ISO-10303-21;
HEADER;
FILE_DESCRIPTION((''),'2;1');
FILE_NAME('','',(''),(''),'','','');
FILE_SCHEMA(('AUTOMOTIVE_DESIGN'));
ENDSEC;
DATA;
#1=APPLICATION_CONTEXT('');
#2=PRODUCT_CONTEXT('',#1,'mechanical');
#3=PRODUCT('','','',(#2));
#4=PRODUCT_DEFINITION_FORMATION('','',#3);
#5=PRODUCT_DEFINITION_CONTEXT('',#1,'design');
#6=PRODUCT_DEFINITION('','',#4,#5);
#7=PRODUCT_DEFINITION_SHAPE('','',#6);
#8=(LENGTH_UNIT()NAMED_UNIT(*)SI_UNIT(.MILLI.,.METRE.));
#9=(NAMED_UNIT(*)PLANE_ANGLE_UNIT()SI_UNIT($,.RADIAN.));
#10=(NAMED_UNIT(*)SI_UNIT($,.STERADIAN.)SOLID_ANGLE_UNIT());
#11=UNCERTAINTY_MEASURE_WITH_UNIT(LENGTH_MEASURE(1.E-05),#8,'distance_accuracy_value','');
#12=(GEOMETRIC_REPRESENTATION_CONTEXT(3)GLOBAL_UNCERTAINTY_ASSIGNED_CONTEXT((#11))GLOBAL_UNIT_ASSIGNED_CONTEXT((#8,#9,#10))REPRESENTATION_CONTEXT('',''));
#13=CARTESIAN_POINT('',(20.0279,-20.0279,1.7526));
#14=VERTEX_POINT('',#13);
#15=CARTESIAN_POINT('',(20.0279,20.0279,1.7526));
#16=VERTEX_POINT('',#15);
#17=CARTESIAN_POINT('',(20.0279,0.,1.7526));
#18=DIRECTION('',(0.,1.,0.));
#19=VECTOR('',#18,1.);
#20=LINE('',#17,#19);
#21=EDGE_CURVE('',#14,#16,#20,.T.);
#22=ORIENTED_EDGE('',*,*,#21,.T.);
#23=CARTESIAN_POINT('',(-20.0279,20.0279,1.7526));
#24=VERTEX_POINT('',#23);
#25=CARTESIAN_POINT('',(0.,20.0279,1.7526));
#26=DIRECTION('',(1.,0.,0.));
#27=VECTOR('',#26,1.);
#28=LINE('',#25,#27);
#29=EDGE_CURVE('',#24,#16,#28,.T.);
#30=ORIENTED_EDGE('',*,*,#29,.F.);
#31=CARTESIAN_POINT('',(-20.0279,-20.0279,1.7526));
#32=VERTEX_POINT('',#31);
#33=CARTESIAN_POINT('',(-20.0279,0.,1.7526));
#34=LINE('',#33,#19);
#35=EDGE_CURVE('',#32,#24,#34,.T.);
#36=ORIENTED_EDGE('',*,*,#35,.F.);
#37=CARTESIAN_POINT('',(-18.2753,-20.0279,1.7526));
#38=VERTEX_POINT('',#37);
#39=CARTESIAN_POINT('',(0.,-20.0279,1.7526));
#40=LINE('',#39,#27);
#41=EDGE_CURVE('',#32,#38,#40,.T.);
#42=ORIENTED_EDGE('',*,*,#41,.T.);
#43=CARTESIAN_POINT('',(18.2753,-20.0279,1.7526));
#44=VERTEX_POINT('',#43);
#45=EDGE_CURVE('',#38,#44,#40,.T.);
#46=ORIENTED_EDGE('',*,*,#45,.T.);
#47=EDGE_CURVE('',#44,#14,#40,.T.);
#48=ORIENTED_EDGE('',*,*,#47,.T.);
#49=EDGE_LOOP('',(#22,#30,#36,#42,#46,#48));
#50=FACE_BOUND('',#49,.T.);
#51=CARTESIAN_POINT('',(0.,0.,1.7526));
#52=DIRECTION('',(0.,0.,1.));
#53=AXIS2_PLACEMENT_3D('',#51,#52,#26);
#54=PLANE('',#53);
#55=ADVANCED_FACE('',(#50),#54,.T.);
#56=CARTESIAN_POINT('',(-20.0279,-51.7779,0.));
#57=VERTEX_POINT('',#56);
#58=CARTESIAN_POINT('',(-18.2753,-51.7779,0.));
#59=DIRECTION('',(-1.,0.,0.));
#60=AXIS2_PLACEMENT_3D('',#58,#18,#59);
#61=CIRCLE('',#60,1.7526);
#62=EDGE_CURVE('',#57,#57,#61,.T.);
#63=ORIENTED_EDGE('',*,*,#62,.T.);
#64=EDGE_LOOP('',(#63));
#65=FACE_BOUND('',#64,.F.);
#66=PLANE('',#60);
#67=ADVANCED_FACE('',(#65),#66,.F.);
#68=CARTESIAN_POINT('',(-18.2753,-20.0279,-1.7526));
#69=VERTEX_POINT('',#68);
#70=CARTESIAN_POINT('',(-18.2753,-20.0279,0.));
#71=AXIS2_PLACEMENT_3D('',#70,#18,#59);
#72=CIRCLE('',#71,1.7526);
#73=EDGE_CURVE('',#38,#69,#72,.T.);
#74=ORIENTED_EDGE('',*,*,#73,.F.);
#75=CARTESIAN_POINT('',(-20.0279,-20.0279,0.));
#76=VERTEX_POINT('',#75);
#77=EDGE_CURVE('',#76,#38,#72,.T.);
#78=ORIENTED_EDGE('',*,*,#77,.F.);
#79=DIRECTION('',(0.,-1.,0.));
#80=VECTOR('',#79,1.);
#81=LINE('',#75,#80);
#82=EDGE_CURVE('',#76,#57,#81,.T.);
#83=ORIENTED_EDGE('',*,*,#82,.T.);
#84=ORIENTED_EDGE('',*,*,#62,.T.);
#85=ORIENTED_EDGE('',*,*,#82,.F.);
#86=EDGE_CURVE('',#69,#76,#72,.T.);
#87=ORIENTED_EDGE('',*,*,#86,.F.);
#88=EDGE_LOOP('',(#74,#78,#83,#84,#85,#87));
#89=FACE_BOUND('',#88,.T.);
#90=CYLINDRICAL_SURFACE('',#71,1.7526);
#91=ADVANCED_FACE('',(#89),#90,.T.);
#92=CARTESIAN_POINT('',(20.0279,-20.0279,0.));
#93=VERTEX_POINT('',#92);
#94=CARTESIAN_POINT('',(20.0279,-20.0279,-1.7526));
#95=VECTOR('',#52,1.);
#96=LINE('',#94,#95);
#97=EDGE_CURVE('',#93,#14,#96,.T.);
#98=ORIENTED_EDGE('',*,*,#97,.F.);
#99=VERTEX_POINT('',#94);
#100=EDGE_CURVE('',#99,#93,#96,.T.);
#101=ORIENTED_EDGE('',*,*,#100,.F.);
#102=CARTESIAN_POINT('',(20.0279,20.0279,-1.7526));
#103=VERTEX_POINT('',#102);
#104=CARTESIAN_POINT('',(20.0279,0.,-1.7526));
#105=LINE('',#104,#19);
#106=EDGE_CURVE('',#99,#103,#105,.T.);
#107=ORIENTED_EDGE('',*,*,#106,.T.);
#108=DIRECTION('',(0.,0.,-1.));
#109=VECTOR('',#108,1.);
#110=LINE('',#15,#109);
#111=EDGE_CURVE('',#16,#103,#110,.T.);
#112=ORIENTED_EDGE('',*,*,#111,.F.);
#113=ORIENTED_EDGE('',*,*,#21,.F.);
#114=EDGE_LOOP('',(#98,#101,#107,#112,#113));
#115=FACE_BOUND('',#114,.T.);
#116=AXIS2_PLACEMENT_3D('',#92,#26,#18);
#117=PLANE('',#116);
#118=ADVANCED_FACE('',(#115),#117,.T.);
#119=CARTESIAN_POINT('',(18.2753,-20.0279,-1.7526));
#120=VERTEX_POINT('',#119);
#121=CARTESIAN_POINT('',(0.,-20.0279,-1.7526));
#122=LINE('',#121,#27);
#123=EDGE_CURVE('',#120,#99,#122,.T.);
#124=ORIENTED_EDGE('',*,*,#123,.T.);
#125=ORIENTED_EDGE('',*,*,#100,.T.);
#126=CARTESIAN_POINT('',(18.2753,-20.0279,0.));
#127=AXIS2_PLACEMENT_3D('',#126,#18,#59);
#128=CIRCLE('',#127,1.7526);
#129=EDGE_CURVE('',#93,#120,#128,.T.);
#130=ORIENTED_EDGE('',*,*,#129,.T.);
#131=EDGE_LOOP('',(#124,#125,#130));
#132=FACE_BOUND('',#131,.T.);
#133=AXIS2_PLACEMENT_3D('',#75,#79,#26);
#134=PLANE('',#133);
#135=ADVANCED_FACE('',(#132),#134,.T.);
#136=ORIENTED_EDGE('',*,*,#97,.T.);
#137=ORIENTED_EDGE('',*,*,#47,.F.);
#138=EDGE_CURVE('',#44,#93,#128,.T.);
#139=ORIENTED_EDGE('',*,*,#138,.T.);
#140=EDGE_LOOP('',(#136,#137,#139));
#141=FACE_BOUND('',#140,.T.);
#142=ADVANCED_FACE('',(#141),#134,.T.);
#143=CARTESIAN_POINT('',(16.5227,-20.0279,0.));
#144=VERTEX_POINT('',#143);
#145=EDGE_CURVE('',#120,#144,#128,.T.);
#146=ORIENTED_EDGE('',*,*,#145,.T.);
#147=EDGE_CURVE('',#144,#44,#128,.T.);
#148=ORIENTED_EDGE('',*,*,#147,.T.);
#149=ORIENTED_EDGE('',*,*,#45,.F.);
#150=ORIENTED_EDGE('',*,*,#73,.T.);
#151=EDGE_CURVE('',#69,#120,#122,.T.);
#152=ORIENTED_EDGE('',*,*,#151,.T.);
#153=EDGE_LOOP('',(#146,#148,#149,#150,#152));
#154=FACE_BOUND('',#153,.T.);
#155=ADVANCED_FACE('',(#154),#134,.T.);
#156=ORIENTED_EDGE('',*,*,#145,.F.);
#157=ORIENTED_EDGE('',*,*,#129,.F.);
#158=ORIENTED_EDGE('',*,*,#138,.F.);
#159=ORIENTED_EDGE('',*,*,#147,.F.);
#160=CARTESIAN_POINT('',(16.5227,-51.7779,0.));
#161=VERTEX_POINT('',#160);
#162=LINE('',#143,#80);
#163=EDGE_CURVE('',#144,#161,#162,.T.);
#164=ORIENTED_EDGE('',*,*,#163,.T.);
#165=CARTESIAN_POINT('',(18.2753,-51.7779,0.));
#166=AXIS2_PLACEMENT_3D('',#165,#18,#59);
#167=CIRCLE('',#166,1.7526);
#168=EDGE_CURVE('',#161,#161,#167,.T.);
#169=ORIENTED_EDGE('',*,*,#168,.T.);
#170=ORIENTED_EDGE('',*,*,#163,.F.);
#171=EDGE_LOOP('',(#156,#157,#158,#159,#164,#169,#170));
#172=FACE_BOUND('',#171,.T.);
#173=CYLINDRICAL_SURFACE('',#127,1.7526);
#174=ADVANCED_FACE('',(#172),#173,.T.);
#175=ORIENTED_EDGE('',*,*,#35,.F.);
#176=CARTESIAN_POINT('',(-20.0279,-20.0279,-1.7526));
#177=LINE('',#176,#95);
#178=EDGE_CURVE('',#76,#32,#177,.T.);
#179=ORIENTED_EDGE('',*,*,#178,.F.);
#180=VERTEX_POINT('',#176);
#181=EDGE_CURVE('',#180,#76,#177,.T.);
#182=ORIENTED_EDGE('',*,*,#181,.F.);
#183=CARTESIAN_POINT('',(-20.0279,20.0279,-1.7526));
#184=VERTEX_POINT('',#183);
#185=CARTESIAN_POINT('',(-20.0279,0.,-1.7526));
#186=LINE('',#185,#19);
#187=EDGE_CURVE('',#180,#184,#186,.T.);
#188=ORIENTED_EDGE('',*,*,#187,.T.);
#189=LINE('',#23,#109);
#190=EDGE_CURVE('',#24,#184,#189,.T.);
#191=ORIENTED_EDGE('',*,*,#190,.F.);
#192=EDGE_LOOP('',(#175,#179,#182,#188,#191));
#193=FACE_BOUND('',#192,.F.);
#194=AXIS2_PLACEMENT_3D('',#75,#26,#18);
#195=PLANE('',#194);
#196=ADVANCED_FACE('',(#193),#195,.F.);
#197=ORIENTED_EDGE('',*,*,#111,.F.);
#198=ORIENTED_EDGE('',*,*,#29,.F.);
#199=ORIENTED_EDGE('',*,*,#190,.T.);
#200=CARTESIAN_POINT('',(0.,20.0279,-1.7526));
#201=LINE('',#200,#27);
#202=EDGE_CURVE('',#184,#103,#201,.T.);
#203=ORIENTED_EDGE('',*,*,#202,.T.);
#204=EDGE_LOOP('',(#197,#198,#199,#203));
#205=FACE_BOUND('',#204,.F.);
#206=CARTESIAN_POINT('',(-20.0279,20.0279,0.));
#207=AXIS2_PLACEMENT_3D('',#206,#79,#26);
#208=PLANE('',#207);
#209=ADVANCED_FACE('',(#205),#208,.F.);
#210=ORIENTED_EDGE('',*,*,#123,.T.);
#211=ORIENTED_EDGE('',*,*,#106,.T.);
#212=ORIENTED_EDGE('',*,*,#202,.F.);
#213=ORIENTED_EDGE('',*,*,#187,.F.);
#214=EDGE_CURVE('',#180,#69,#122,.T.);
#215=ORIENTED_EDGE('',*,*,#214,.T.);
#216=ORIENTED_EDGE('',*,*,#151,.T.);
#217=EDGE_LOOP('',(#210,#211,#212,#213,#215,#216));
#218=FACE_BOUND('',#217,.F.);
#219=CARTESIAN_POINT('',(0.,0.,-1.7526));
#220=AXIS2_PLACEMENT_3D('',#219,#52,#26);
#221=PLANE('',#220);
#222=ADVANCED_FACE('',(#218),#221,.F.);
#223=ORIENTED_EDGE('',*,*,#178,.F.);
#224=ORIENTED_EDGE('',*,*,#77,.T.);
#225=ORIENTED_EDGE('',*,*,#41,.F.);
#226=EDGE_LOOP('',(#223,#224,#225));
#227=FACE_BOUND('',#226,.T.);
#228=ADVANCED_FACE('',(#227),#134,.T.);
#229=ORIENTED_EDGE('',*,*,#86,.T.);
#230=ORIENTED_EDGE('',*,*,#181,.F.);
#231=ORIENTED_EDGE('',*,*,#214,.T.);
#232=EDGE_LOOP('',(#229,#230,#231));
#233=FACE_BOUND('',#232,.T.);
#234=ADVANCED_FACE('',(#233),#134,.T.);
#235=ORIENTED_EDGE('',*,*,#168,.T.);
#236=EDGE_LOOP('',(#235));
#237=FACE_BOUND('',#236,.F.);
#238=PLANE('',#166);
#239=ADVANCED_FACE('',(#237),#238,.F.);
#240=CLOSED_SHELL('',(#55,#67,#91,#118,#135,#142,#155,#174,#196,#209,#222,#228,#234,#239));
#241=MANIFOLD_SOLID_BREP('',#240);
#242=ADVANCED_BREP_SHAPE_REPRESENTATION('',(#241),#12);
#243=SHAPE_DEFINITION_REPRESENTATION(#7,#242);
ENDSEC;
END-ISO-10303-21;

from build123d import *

# Parameters (mm, degrees)
F0_W     = 40.0558
F0_H     = 40.0558
F1_DEPTH = 1.7526
F3_R     = 1.7526
F4_DEPTH = 31.75
F5_W     = 40.0558
F5_H     = 40.0558
F6_DEPTH = 0.019685
F7_W     = 40.0558
F7_H     = 44.069
F8_DEPTH = 0.019685


with BuildPart() as f1:
    # F0 (on Top) → F1 (new body, symmetric)
    with BuildSketch(Plane.XY):
        Rectangle(F0_W, F0_H)
    extrude(amount=F1_DEPTH, both=True)

    # F3 (on face) → F4 (join)
    with BuildSketch(Plane(origin=(0, -20.0279, 0), x_dir=(-1, 0, 0), z_dir=(0, 1, 0))):
        with Locations((-18.2753, 0)):
            Circle(F3_R)
        with Locations((18.2753, 0)):
            Circle(F3_R)
    extrude(amount=-F4_DEPTH)


with BuildPart() as f6:
    # F5 (on face) → F6 (new body)
    with BuildSketch(Plane.XY):
        Rectangle(F5_W, F5_H)
    extrude(amount=F6_DEPTH)


with BuildPart() as f8:
    # F7 (on face) → F8 (new body)
    with BuildSketch(Plane(origin=(0, 0, -1.7526), x_dir=(1, 0, 0), z_dir=(0, 0, -1))):
        with Locations((0, 2.0066)):
            Rectangle(F7_W, F7_H)
    extrude(amount=F8_DEPTH)


solid = f1.part
